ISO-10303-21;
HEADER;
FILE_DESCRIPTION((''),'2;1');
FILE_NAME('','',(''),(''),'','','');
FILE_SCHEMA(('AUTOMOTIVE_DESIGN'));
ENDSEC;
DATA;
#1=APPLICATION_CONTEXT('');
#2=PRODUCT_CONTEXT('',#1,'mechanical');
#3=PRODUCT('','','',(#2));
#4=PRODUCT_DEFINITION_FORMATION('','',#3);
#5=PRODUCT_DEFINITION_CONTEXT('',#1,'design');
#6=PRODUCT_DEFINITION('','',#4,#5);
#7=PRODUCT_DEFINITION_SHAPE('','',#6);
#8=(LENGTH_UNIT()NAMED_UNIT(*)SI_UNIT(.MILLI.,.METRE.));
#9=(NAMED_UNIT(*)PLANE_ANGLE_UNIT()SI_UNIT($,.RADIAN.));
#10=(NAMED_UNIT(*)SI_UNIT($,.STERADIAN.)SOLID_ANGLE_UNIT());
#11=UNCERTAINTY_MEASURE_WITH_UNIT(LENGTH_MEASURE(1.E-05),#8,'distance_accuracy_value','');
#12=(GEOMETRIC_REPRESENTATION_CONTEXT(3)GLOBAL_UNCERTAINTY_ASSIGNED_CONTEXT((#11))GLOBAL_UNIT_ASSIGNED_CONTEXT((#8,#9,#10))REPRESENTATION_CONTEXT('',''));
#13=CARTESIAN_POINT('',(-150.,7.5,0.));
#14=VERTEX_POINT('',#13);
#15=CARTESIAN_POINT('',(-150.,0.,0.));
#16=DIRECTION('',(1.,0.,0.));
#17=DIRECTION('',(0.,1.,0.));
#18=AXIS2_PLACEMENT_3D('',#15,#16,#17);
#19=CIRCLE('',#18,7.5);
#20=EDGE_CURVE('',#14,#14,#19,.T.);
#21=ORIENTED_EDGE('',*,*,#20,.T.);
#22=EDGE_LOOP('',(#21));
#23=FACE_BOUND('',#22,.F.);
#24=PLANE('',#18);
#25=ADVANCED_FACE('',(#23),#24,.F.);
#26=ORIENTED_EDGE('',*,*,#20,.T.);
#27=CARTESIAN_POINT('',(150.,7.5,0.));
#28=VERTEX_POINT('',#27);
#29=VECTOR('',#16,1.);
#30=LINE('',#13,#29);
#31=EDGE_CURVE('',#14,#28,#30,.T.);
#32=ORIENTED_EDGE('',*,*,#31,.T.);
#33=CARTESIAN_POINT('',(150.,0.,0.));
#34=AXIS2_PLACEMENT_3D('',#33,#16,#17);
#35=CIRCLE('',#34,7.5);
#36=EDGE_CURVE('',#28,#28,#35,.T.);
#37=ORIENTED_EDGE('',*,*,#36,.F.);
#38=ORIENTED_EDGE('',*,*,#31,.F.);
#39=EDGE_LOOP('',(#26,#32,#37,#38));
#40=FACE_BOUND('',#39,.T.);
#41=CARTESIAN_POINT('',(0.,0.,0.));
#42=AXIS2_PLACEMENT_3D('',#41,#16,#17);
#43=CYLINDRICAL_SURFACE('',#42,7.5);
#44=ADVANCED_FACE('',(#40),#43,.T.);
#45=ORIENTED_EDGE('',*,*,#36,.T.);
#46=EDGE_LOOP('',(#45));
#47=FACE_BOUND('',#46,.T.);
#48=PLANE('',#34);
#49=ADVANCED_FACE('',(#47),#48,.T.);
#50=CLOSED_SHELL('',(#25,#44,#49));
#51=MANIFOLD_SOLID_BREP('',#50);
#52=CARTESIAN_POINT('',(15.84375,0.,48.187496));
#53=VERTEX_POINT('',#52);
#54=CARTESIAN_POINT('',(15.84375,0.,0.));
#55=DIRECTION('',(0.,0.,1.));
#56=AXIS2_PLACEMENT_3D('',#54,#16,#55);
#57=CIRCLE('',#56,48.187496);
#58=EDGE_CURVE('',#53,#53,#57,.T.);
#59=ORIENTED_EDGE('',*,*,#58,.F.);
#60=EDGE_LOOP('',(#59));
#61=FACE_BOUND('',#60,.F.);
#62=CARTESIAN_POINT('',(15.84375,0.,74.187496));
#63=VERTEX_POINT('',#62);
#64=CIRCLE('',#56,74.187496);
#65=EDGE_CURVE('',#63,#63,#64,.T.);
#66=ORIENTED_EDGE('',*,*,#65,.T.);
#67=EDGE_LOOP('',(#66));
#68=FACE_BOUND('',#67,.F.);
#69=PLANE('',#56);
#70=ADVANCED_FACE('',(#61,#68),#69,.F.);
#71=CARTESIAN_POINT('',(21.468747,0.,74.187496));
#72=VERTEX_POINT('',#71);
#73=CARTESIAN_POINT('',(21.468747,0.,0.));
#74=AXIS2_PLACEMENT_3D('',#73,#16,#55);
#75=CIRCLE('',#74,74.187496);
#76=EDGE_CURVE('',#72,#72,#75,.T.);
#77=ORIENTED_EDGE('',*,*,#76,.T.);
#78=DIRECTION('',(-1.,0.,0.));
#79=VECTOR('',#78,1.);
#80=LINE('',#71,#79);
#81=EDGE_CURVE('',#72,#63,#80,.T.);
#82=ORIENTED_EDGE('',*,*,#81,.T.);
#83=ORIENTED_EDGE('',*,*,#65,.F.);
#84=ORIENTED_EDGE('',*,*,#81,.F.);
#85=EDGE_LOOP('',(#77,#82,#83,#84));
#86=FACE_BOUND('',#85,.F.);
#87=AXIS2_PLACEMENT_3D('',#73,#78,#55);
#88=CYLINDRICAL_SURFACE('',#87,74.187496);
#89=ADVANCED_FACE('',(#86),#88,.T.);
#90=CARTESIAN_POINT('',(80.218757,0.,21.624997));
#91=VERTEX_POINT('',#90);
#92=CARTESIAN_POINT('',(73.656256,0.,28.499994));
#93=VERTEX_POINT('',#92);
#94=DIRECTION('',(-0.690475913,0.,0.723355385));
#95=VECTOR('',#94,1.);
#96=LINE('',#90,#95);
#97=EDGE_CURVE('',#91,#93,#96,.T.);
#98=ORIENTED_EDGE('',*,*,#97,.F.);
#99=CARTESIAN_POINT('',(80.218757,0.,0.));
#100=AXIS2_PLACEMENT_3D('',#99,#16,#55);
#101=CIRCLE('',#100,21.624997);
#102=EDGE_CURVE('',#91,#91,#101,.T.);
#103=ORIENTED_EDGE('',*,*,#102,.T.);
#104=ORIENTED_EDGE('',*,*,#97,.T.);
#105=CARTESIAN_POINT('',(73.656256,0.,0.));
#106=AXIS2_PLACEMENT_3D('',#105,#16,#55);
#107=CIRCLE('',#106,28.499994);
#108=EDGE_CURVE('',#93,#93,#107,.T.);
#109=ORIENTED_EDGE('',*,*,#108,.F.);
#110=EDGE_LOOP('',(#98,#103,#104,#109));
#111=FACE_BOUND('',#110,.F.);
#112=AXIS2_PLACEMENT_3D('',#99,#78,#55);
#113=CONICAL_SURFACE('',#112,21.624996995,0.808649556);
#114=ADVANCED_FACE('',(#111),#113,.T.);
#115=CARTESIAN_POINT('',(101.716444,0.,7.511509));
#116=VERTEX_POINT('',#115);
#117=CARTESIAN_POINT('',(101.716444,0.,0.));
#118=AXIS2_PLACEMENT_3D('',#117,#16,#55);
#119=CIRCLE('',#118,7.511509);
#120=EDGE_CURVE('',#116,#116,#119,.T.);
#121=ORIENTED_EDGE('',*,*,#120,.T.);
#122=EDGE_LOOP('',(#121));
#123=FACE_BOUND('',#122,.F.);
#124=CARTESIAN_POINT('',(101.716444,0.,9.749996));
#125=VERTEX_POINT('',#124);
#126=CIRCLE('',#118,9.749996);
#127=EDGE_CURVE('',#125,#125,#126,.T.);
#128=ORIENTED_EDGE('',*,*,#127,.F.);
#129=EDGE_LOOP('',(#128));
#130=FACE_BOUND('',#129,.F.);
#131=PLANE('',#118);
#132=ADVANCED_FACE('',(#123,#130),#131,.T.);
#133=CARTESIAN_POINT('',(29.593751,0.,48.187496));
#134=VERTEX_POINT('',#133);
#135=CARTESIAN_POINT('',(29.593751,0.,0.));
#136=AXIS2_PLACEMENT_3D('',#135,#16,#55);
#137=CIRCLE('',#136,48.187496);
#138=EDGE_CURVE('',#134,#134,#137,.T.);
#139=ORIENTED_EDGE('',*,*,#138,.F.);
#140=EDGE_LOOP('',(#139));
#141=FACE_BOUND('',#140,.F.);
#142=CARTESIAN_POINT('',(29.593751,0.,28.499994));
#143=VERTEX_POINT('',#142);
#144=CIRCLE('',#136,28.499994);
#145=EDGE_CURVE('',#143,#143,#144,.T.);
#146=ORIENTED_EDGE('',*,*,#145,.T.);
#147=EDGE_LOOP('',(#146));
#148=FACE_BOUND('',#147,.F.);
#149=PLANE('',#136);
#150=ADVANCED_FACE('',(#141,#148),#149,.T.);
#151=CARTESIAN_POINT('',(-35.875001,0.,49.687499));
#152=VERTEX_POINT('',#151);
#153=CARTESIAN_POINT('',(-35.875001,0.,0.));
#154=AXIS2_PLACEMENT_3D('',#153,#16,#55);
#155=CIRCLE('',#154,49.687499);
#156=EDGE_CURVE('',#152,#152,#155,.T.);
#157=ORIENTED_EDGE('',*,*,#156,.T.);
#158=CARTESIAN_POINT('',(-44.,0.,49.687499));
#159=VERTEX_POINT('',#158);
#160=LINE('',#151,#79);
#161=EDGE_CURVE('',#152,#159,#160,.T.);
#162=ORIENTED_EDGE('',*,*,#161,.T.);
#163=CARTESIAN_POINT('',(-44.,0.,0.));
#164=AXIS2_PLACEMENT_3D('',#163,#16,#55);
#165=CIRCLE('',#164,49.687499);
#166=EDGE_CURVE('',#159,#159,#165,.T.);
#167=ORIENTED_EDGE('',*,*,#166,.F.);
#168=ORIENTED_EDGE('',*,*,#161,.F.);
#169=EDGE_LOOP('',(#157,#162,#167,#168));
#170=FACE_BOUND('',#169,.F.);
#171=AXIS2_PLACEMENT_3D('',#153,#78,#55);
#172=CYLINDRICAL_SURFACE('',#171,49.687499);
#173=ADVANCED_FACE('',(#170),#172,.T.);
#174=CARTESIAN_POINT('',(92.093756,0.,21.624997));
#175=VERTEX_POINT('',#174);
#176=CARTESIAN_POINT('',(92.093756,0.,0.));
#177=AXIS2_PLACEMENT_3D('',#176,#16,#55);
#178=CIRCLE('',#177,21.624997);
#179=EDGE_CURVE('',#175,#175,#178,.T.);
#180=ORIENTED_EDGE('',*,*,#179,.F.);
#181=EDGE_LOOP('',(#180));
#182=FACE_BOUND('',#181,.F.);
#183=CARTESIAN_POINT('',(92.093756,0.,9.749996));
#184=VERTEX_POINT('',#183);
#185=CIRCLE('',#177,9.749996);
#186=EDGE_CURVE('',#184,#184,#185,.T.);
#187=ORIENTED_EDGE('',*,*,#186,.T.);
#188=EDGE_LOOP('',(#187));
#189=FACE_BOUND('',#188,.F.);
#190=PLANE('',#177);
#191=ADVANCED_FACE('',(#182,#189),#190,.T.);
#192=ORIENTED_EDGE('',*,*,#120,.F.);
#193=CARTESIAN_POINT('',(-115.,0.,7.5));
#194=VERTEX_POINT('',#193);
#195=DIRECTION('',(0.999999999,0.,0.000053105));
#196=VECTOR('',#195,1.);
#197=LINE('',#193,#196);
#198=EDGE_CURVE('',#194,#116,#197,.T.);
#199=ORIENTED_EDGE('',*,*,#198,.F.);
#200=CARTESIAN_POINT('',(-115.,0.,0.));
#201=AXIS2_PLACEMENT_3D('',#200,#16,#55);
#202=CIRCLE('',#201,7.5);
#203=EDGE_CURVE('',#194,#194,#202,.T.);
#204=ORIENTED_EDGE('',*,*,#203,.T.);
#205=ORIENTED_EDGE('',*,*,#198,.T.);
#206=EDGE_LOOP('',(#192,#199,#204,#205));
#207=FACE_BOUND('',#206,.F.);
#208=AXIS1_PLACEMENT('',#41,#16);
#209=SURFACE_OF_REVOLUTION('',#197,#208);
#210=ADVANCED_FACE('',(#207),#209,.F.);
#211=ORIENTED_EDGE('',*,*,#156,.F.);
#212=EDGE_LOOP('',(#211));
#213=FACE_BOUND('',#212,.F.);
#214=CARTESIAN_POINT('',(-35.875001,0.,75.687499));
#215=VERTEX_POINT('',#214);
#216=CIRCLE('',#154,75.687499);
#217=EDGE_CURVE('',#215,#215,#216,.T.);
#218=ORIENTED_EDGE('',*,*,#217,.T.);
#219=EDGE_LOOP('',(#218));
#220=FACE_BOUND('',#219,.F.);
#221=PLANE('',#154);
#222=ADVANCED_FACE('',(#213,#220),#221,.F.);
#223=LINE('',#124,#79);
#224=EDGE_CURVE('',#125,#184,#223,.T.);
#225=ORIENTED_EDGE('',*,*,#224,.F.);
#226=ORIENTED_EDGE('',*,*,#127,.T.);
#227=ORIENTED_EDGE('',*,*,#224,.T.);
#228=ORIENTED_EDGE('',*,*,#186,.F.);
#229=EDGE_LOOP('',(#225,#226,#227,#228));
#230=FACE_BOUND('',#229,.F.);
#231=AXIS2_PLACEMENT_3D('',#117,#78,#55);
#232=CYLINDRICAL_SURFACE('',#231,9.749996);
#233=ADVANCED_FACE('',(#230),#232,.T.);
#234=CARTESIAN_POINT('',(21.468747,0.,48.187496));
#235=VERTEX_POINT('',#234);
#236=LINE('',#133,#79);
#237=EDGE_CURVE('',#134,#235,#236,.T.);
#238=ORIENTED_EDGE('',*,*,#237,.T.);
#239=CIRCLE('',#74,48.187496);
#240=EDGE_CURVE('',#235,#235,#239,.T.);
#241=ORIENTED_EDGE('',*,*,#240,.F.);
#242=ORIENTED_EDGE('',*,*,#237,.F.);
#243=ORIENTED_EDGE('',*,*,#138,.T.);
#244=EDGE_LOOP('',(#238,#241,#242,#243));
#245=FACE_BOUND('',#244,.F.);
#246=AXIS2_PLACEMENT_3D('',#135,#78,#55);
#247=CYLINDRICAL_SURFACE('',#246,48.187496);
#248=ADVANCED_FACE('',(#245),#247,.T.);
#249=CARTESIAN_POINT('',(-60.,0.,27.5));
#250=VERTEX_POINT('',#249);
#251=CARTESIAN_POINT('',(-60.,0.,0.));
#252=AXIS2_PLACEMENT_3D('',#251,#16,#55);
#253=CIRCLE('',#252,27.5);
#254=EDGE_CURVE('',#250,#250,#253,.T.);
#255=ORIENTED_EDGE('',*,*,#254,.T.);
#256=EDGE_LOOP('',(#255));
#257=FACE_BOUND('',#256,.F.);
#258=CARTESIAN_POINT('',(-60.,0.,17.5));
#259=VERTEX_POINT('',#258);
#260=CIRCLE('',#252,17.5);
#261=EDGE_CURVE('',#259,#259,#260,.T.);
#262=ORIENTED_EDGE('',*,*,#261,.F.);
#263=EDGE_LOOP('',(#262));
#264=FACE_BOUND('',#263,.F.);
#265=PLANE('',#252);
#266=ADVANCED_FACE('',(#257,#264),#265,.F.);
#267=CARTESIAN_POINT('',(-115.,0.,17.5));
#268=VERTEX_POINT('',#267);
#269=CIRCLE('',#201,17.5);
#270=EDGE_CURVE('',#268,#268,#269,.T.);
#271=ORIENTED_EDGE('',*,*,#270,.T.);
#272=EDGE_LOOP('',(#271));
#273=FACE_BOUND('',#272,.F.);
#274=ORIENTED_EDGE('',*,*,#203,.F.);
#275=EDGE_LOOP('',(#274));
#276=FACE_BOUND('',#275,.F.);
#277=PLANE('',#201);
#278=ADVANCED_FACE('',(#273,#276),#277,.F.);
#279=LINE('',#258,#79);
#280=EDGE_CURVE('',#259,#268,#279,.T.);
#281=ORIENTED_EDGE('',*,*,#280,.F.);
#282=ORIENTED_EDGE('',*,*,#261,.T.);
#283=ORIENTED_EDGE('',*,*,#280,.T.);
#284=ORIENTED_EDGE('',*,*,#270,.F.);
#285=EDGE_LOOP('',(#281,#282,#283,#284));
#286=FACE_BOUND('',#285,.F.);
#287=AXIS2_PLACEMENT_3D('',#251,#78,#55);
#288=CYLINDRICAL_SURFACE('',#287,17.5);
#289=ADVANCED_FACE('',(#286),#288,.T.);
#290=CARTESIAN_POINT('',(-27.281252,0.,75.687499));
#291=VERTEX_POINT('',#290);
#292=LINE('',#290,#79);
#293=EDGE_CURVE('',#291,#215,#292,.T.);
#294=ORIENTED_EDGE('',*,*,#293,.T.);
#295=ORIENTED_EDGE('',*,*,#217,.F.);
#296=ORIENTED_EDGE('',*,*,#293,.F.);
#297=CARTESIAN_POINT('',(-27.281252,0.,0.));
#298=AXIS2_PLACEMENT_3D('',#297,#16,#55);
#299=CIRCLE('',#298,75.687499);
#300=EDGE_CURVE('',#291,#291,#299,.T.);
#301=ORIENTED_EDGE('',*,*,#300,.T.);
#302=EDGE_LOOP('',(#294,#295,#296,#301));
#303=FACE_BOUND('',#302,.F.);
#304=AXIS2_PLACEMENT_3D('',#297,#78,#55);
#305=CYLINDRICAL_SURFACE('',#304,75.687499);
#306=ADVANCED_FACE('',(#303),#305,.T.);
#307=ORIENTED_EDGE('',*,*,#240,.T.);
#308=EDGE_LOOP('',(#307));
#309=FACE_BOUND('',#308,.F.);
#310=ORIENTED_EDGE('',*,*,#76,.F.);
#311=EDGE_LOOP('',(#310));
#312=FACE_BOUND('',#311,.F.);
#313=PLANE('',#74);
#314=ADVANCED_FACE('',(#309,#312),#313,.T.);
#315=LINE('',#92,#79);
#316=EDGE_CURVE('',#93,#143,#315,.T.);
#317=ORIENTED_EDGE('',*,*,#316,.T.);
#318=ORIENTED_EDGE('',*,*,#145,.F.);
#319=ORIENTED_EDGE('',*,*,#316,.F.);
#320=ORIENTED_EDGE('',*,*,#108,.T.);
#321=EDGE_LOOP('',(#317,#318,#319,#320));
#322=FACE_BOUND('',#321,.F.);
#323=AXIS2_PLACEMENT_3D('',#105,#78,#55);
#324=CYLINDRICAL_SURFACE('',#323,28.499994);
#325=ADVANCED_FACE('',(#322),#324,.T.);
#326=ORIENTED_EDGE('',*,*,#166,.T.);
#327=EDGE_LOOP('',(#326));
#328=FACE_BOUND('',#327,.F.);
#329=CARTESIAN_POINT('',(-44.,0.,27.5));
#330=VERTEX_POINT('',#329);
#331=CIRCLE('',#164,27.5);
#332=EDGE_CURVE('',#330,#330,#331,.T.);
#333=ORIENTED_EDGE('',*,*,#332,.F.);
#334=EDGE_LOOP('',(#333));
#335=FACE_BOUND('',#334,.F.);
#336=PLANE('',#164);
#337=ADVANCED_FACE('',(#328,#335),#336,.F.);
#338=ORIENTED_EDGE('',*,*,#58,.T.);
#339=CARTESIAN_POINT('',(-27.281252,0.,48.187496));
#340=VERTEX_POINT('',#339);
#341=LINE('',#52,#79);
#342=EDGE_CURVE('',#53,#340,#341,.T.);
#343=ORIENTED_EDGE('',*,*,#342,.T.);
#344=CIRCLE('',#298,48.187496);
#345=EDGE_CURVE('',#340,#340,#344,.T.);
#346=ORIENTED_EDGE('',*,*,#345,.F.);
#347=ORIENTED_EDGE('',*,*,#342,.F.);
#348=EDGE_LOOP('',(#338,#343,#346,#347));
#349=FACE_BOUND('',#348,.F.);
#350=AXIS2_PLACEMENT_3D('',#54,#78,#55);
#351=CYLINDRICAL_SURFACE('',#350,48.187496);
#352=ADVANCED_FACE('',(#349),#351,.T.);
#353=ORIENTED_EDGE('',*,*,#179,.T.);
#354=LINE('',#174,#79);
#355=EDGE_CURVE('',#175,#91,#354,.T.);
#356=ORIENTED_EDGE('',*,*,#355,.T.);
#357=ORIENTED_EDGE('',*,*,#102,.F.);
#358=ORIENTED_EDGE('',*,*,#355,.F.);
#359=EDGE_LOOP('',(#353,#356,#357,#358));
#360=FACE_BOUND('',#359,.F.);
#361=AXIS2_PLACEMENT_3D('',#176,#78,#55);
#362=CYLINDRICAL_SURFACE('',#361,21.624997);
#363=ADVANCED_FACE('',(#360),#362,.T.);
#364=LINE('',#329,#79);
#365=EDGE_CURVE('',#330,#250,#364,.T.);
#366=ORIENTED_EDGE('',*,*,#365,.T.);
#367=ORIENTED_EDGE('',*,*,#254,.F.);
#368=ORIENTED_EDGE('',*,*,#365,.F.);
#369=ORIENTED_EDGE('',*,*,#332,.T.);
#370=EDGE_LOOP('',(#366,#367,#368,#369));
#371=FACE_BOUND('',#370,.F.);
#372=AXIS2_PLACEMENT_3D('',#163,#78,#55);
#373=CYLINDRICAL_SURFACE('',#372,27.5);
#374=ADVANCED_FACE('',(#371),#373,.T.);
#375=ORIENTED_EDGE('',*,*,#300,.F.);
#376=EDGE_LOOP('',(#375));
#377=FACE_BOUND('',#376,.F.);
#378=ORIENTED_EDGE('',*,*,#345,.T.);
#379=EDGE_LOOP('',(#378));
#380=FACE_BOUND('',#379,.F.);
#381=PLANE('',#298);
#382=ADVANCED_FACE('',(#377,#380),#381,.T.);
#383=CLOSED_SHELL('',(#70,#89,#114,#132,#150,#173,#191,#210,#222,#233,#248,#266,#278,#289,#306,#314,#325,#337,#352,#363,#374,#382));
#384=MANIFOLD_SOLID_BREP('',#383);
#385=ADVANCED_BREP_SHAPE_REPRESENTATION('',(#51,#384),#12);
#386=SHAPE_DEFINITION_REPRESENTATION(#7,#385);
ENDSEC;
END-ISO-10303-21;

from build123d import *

# Parameters (mm, degrees)
F0_R     = 7.5
F1_DEPTH = 150


with BuildPart() as f1:
    # F0 (on Right) → F1 (new body, symmetric)
    with BuildSketch(Plane.YZ):
        Circle(F0_R)
    extrude(amount=F1_DEPTH, both=True)


with BuildPart() as f3:
    # F2 (on Front) → F3 (revolve)
    with BuildSketch(Plane.XZ):
        Polygon((-115, 17.5), (-115, 7.5), (101.7164443272, 7.511508713), (101.7164443272, 9.7499957391), (92.09375605, 9.7499957391), (92.09375605, 21.6249969955), (80.2187565416, 21.6249969955), (73.6562560773, 28.4999943187), (29.5937514613, 28.4999943187), (29.5937514613, 48.1874957117), (21.4687474735, 48.1874957117), (21.4687474735, 74.1874957117), (15.8437498225, 74.1874957117), (15.8437498225, 48.1874957117), (0, 48.1874957117), (-27.2812519802, 48.1874957117), (-27.2812519802, 75.6874989894), (-35.8750012564, 75.6874989894), (-35.8750012564, 49.6874989894), (-44, 49.6874989894), (-44, 27.5), (-60, 27.5), (-60, 17.5), align=None)
    revolve(axis=Axis((0, 0, 0), (1, 0, 0)))


solid = Compound([f1.part, f3.part])
